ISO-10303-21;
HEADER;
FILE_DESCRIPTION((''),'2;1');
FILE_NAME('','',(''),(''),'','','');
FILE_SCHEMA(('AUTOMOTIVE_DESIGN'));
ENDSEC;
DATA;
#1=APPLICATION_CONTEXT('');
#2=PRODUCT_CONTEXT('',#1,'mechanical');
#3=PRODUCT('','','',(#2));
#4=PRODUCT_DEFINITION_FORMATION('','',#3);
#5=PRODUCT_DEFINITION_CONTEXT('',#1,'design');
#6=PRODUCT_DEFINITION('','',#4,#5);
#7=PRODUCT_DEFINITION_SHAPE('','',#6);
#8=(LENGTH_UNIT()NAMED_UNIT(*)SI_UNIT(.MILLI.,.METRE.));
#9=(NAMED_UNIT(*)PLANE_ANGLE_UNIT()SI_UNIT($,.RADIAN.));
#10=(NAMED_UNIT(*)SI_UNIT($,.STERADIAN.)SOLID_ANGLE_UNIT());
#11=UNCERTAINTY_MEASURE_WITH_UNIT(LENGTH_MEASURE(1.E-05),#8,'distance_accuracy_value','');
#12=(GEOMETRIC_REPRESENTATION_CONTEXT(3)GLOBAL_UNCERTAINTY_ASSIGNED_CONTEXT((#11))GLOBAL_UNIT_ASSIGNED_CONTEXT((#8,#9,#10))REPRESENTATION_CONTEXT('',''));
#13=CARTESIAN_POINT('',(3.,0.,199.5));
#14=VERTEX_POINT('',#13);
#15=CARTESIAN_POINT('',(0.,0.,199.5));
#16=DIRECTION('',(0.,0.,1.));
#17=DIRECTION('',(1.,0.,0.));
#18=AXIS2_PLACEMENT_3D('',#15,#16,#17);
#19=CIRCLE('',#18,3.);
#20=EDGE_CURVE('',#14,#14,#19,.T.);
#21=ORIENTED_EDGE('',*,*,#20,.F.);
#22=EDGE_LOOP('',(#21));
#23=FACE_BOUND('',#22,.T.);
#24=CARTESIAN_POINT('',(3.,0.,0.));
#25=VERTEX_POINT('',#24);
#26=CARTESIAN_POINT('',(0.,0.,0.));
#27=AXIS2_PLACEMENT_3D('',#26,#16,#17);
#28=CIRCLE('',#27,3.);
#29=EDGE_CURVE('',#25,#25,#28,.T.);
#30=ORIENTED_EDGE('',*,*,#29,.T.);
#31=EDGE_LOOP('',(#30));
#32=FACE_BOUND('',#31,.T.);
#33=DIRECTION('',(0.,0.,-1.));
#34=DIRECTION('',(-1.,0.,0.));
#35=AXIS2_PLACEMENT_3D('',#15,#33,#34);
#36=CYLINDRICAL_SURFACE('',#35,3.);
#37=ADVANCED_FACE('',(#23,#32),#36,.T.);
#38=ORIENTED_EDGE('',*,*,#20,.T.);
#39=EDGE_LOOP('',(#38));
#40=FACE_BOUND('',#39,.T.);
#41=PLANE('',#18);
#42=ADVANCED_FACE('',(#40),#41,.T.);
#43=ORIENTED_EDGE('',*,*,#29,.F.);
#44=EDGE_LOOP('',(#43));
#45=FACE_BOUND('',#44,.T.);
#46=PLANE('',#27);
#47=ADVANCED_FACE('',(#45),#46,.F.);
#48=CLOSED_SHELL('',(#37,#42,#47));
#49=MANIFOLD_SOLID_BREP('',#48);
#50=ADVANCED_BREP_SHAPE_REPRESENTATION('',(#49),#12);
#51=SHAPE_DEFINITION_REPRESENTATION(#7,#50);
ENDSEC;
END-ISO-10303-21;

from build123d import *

# Parameters (mm, degrees)
SKETCH1_R           = 6
BOSS_EXTRUDE1_DEPTH = 399
SCALE1_SCALE        = 0.5


with BuildPart() as part:
    # Sketch1 → Boss-Extrude1 (new body)
    with BuildSketch(Plane.XY):
        Circle(SKETCH1_R)
    extrude(amount=BOSS_EXTRUDE1_DEPTH)


with BuildPart() as part_1:
    # Scale1: scaled about (0, 0, 0)
    add(part.part.scale(SCALE1_SCALE))


solid = part_1.part
